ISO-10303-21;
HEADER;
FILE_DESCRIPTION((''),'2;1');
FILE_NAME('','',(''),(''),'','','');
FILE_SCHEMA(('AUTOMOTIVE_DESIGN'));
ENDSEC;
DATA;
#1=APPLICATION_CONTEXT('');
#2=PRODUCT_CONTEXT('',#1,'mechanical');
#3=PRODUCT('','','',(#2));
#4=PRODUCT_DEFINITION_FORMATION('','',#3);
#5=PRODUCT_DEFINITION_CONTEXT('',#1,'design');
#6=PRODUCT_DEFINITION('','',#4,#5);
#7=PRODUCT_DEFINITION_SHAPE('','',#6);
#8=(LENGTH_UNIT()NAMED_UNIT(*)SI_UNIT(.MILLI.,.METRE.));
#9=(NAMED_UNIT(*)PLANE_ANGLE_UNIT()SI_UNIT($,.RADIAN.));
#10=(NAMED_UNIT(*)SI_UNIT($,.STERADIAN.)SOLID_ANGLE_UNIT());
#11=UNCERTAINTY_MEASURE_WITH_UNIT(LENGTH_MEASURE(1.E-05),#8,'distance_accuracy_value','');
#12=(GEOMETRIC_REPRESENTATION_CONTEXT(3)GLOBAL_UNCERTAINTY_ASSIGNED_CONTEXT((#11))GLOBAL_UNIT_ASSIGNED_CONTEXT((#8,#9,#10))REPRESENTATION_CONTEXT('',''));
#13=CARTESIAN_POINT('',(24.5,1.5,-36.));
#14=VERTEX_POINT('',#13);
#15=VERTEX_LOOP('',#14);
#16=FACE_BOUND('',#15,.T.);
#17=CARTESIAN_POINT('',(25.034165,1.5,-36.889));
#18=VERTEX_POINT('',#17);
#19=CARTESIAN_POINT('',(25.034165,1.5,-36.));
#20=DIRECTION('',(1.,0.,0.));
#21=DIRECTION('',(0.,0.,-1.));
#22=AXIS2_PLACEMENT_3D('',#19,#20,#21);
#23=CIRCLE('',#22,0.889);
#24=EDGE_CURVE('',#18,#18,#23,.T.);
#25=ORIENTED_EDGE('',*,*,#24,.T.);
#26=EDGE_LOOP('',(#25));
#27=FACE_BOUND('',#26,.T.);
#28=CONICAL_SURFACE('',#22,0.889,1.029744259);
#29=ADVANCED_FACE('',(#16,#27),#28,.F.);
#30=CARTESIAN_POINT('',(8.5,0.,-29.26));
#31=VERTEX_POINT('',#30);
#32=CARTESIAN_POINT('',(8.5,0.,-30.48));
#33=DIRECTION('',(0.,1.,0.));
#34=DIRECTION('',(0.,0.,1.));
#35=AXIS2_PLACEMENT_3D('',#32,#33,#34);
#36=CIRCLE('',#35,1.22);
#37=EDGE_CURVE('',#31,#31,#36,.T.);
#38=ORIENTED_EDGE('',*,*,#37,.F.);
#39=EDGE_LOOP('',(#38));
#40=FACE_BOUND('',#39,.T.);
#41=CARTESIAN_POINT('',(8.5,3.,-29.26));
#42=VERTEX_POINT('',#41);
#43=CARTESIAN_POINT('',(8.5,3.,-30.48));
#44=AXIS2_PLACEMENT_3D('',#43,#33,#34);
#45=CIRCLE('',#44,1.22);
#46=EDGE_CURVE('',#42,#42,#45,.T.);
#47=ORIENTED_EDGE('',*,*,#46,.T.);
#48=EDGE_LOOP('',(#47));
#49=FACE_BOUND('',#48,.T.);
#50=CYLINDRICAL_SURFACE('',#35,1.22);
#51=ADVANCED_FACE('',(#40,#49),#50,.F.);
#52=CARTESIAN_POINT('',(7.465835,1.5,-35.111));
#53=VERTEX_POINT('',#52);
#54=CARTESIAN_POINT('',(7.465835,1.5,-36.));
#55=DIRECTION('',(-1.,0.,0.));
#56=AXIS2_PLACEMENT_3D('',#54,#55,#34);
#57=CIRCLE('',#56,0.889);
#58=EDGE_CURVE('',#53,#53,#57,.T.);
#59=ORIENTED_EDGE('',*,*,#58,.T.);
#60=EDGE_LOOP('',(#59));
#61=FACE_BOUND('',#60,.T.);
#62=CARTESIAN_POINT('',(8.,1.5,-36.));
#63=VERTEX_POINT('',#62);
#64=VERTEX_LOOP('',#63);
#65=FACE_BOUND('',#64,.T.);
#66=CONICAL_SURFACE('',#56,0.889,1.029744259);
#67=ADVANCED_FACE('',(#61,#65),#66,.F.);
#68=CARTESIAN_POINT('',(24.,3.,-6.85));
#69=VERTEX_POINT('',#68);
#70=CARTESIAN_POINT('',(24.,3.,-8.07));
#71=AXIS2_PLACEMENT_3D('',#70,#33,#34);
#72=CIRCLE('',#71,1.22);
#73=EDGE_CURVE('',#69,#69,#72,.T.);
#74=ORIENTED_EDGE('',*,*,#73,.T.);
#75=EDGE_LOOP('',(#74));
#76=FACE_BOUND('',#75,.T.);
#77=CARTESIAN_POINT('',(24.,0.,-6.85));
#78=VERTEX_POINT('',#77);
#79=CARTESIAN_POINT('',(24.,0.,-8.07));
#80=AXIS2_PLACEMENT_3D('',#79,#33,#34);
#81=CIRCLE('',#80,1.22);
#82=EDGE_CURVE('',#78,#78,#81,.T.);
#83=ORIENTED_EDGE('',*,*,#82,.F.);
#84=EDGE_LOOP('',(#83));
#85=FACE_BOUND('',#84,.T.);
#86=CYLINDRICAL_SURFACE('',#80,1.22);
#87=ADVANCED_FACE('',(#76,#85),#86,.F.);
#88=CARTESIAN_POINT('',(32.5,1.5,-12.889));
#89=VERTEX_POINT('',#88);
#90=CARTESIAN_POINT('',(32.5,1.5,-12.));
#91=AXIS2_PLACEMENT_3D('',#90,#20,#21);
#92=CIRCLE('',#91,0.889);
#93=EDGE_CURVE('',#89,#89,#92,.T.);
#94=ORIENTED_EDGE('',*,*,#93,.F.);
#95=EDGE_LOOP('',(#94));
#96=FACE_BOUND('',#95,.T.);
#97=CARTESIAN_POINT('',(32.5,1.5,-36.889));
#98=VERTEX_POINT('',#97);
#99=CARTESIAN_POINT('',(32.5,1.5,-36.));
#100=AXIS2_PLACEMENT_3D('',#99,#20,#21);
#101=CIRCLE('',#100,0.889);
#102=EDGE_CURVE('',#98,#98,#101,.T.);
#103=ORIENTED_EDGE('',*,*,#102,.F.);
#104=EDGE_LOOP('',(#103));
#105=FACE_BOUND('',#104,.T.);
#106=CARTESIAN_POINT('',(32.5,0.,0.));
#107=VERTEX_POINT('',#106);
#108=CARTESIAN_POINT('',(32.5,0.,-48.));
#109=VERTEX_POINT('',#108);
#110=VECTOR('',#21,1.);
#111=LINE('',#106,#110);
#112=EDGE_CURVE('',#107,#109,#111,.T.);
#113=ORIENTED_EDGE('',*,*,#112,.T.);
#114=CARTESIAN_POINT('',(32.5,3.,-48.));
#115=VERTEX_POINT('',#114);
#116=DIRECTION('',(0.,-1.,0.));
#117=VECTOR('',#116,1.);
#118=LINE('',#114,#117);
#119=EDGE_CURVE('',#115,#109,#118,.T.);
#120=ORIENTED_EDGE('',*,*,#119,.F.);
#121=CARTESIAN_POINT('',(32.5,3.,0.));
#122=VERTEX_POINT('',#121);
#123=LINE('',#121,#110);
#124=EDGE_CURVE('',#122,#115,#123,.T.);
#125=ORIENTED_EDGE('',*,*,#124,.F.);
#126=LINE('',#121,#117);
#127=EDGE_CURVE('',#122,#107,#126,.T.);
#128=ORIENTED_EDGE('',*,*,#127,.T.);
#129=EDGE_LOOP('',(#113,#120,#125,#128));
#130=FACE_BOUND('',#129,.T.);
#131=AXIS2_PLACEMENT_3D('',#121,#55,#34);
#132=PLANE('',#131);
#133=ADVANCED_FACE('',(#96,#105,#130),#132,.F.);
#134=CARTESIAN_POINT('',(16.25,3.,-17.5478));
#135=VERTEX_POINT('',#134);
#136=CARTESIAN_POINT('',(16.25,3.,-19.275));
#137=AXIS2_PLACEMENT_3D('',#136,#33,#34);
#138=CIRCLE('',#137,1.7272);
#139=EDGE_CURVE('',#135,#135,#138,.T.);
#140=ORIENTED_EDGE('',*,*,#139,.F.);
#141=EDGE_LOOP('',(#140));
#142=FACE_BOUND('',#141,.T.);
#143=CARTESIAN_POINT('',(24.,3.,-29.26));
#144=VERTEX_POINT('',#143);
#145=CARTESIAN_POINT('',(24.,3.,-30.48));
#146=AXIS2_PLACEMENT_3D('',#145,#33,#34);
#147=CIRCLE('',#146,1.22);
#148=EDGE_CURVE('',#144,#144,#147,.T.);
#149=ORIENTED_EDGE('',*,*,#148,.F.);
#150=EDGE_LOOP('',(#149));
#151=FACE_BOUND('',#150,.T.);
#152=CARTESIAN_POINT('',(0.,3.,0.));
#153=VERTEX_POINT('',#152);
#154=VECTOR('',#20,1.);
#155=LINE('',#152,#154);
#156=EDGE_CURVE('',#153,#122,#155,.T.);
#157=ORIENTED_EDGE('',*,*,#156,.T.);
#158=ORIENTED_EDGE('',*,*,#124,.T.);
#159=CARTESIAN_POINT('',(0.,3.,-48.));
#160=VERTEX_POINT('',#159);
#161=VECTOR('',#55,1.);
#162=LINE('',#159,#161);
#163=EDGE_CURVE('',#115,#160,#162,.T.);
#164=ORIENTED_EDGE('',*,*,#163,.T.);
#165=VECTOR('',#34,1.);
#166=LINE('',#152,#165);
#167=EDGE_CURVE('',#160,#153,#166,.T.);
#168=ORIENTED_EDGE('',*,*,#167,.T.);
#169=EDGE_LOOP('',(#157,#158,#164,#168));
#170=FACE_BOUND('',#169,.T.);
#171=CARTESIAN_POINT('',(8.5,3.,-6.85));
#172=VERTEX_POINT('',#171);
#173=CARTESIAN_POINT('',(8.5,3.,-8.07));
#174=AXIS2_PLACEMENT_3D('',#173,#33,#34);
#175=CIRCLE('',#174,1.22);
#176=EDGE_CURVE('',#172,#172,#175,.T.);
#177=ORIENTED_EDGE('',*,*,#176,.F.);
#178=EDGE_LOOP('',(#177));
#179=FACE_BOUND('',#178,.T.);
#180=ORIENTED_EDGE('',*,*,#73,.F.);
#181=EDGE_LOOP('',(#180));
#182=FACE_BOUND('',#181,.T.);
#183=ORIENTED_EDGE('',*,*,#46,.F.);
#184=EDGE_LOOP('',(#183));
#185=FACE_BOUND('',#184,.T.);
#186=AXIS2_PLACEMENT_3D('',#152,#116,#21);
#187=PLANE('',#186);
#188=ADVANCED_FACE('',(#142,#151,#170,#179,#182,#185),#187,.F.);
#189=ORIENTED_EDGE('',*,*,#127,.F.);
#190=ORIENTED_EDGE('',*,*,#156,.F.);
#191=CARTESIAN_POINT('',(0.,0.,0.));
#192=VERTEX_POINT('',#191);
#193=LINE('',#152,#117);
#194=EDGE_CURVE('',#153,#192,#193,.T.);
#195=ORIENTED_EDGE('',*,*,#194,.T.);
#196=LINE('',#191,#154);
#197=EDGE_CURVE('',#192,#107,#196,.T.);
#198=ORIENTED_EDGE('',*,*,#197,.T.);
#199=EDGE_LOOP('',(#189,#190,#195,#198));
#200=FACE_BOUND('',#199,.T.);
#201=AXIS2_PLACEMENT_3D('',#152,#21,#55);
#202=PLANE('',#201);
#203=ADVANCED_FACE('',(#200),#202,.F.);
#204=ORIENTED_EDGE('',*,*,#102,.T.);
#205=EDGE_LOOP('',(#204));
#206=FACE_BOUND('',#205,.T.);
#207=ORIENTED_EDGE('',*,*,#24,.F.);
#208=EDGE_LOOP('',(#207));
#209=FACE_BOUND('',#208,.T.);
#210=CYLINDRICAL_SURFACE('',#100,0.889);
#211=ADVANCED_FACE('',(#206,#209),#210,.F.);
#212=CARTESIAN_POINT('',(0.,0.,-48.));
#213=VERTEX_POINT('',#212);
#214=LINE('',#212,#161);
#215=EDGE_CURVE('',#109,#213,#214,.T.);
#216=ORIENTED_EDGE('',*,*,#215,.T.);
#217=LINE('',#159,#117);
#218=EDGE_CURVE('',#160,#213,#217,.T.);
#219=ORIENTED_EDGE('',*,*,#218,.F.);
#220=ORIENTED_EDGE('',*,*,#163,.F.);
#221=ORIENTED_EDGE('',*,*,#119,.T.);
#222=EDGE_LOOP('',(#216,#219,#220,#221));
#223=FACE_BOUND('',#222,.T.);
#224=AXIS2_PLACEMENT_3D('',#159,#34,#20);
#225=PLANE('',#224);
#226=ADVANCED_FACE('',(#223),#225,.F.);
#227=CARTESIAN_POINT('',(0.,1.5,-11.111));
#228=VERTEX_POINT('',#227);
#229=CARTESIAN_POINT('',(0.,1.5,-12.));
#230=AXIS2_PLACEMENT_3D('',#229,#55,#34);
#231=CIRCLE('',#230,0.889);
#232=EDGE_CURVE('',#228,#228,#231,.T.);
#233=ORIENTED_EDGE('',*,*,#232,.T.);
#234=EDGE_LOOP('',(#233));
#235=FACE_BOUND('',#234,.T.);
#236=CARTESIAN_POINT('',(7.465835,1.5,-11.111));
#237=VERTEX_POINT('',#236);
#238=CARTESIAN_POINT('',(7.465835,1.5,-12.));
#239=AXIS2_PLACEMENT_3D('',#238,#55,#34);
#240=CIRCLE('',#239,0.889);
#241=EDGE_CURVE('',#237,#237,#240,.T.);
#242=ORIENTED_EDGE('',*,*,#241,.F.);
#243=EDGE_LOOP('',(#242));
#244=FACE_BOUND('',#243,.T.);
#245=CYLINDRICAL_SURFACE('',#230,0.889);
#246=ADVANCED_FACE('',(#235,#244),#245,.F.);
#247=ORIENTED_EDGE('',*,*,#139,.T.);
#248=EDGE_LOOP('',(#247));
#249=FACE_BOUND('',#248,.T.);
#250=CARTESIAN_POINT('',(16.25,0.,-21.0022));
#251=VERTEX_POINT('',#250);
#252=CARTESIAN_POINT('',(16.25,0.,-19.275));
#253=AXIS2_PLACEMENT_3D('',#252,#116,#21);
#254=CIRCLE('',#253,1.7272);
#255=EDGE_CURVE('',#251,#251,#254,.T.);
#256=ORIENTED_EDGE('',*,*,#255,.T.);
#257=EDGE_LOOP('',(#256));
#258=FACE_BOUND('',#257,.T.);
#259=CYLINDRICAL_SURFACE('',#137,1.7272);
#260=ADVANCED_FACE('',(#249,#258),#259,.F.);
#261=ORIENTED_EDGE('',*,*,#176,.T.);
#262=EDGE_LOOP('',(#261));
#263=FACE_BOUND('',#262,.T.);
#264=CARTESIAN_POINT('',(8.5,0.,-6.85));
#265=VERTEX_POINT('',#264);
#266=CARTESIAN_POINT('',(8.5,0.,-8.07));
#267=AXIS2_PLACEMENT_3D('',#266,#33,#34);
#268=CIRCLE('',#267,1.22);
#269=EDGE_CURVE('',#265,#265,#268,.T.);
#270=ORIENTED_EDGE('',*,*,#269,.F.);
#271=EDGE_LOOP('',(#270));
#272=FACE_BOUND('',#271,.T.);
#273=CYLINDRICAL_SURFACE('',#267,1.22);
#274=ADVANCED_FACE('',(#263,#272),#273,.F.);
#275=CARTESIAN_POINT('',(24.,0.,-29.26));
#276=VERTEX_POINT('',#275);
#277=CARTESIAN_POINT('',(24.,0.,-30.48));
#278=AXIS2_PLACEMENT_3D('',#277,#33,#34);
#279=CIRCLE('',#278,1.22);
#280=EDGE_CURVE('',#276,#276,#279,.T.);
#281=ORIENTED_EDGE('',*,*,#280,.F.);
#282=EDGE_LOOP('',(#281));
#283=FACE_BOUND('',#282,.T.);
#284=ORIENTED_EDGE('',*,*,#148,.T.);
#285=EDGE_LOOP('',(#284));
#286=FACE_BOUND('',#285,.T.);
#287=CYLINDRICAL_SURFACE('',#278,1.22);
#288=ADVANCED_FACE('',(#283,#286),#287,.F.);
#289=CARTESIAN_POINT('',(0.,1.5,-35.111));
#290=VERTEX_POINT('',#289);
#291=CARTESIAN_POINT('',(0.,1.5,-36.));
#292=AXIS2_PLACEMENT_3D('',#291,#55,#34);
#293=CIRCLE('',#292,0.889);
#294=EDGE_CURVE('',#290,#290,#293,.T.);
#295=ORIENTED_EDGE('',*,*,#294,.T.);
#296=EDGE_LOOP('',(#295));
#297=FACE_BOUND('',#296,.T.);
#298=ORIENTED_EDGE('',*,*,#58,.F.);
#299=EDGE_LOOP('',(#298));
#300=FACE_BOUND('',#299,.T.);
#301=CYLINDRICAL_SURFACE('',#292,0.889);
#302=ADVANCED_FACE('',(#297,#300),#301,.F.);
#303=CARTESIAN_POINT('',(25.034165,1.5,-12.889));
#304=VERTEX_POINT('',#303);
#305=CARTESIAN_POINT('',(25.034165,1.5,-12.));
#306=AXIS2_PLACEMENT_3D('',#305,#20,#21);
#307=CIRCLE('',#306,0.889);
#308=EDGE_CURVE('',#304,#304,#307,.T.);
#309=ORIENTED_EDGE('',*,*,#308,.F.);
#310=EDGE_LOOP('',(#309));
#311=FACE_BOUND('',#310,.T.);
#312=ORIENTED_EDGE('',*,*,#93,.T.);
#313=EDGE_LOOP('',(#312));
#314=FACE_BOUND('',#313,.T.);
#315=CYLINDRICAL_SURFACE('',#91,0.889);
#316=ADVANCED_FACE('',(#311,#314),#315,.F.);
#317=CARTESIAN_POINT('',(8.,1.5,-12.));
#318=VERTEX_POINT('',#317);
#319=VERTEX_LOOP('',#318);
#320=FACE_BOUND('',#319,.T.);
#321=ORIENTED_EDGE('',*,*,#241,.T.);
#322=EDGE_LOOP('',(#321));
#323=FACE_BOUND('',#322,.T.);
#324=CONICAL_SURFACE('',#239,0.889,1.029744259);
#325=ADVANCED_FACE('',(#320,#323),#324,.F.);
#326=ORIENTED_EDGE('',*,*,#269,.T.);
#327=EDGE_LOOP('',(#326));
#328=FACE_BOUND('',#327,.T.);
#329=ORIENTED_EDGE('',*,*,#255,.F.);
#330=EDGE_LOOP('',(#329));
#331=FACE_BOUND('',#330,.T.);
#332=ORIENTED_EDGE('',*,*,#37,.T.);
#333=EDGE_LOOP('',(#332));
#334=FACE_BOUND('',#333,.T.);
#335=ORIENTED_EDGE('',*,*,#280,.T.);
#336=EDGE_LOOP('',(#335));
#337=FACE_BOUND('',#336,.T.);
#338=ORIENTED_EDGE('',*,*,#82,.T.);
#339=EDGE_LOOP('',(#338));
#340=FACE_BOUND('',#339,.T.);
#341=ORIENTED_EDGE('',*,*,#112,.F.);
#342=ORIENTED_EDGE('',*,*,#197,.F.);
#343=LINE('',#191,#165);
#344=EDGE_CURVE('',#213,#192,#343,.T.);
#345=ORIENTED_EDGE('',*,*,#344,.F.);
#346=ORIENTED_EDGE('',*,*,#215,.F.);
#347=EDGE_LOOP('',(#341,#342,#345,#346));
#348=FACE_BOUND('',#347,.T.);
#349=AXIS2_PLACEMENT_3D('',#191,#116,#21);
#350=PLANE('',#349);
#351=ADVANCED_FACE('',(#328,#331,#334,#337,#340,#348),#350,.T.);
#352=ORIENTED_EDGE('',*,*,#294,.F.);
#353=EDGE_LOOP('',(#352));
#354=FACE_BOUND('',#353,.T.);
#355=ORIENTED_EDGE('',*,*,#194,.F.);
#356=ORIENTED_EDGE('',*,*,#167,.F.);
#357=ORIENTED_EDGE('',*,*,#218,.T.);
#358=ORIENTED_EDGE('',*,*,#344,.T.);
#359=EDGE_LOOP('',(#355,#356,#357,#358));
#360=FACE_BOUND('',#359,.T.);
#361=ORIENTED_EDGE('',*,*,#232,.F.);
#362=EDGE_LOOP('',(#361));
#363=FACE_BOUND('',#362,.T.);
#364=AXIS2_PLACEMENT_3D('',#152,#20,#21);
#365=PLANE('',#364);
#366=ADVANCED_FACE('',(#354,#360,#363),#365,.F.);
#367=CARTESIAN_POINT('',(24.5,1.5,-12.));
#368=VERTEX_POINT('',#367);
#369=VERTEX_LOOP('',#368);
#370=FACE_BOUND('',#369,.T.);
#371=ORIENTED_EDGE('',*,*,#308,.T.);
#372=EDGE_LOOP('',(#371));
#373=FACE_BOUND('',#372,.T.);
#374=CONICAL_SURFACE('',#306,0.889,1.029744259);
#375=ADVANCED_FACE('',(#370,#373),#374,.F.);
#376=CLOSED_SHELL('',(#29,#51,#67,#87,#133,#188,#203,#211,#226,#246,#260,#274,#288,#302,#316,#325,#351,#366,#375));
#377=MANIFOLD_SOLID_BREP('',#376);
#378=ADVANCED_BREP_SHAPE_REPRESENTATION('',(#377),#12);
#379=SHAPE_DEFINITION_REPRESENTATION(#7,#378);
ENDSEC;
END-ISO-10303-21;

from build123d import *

# Parameters (mm, degrees)
SKETCH1_W                 = 32.5
SKETCH1_H                 = 48
BOSS_EXTRUDE1_DEPTH       = 3
F_2_56_TAPPED_HOLE1_D     = 1.778
F_2_56_TAPPED_HOLE1_DEPTH = 7.46583491
F_2_56_TAPPED_HOLE1_TIP   = 0.53416509
F_2_56_TAPPED_HOLE2_D     = 1.778
F_2_56_TAPPED_HOLE2_DEPTH = 7.46583491
F_2_56_TAPPED_HOLE2_TIP   = 0.53416509
F_8_32_TAPPED_HOLE1_D     = 3.4544
F_8_32_TAPPED_HOLE1_DEPTH = 9.672193539
F_8_32_TAPPED_HOLE1_TIP   = 1.037806461
SKETCH16_R                = 1.22
CUT_EXTRUDE4_DEPTH        = 3


with BuildPart() as part:
    # Sketch1 → Boss-Extrude1 (new body)
    with BuildSketch(Plane(origin=(0, 0, 0), x_dir=(1, 0, 0), z_dir=(0, 1, 0))):
        with Locations((16.25, 24)):
            Rectangle(SKETCH1_W, SKETCH1_H)
    extrude(amount=BOSS_EXTRUDE1_DEPTH)

    # #2-56 Tapped Hole1
    with Locations(Plane.ZY):
        with Locations((-36, 1.5), (-12, 1.5)):
            Hole(F_2_56_TAPPED_HOLE1_D / 2, depth=F_2_56_TAPPED_HOLE1_DEPTH)
            with Locations((0, 0, -(F_2_56_TAPPED_HOLE1_DEPTH + F_2_56_TAPPED_HOLE1_TIP / 2))):  # 118° drill point
                Cone(0, F_2_56_TAPPED_HOLE1_D / 2, F_2_56_TAPPED_HOLE1_TIP, mode=Mode.SUBTRACT)

    # #2-56 Tapped Hole2
    with Locations(Plane(origin=(32.5, 0, 0), x_dir=(0, 0, -1), z_dir=(1, 0, 0))):
        with Locations((12, 1.5), (36, 1.5)):
            Hole(F_2_56_TAPPED_HOLE2_D / 2, depth=F_2_56_TAPPED_HOLE2_DEPTH)
            with Locations((0, 0, -(F_2_56_TAPPED_HOLE2_DEPTH + F_2_56_TAPPED_HOLE2_TIP / 2))):  # 118° drill point
                Cone(0, F_2_56_TAPPED_HOLE2_D / 2, F_2_56_TAPPED_HOLE2_TIP, mode=Mode.SUBTRACT)

    # #8-32 Tapped Hole1
    with Locations(Plane(origin=(0, 3, 0), x_dir=(1, 0, 0), z_dir=(0, 1, 0))):
        with Locations((16.25, 19.275)):
            Hole(F_8_32_TAPPED_HOLE1_D / 2, depth=F_8_32_TAPPED_HOLE1_DEPTH)
            with Locations((0, 0, -(F_8_32_TAPPED_HOLE1_DEPTH + F_8_32_TAPPED_HOLE1_TIP / 2))):  # 118° drill point
                Cone(0, F_8_32_TAPPED_HOLE1_D / 2, F_8_32_TAPPED_HOLE1_TIP, mode=Mode.SUBTRACT)

    # Sketch16 → Cut-Extrude4 (cut)
    with BuildSketch(Plane(origin=(0, 3, 0), x_dir=(1, 0, 0), z_dir=(0, 1, 0))):
        with Locations(Location((8.5, 30.48, 0), (0, 0, 270))):
            Circle(SKETCH16_R)
        with Locations(Location((24, 30.48, 0), (0, 0, 270))):
            Circle(SKETCH16_R)
        with Locations(Location((8.5, 8.07, 0), (0, 0, 270))):
            Circle(SKETCH16_R)
        with Locations(Location((24, 8.07, 0), (0, 0, 270))):
            Circle(SKETCH16_R)
    extrude(amount=-CUT_EXTRUDE4_DEPTH, mode=Mode.SUBTRACT)


solid = part.part
